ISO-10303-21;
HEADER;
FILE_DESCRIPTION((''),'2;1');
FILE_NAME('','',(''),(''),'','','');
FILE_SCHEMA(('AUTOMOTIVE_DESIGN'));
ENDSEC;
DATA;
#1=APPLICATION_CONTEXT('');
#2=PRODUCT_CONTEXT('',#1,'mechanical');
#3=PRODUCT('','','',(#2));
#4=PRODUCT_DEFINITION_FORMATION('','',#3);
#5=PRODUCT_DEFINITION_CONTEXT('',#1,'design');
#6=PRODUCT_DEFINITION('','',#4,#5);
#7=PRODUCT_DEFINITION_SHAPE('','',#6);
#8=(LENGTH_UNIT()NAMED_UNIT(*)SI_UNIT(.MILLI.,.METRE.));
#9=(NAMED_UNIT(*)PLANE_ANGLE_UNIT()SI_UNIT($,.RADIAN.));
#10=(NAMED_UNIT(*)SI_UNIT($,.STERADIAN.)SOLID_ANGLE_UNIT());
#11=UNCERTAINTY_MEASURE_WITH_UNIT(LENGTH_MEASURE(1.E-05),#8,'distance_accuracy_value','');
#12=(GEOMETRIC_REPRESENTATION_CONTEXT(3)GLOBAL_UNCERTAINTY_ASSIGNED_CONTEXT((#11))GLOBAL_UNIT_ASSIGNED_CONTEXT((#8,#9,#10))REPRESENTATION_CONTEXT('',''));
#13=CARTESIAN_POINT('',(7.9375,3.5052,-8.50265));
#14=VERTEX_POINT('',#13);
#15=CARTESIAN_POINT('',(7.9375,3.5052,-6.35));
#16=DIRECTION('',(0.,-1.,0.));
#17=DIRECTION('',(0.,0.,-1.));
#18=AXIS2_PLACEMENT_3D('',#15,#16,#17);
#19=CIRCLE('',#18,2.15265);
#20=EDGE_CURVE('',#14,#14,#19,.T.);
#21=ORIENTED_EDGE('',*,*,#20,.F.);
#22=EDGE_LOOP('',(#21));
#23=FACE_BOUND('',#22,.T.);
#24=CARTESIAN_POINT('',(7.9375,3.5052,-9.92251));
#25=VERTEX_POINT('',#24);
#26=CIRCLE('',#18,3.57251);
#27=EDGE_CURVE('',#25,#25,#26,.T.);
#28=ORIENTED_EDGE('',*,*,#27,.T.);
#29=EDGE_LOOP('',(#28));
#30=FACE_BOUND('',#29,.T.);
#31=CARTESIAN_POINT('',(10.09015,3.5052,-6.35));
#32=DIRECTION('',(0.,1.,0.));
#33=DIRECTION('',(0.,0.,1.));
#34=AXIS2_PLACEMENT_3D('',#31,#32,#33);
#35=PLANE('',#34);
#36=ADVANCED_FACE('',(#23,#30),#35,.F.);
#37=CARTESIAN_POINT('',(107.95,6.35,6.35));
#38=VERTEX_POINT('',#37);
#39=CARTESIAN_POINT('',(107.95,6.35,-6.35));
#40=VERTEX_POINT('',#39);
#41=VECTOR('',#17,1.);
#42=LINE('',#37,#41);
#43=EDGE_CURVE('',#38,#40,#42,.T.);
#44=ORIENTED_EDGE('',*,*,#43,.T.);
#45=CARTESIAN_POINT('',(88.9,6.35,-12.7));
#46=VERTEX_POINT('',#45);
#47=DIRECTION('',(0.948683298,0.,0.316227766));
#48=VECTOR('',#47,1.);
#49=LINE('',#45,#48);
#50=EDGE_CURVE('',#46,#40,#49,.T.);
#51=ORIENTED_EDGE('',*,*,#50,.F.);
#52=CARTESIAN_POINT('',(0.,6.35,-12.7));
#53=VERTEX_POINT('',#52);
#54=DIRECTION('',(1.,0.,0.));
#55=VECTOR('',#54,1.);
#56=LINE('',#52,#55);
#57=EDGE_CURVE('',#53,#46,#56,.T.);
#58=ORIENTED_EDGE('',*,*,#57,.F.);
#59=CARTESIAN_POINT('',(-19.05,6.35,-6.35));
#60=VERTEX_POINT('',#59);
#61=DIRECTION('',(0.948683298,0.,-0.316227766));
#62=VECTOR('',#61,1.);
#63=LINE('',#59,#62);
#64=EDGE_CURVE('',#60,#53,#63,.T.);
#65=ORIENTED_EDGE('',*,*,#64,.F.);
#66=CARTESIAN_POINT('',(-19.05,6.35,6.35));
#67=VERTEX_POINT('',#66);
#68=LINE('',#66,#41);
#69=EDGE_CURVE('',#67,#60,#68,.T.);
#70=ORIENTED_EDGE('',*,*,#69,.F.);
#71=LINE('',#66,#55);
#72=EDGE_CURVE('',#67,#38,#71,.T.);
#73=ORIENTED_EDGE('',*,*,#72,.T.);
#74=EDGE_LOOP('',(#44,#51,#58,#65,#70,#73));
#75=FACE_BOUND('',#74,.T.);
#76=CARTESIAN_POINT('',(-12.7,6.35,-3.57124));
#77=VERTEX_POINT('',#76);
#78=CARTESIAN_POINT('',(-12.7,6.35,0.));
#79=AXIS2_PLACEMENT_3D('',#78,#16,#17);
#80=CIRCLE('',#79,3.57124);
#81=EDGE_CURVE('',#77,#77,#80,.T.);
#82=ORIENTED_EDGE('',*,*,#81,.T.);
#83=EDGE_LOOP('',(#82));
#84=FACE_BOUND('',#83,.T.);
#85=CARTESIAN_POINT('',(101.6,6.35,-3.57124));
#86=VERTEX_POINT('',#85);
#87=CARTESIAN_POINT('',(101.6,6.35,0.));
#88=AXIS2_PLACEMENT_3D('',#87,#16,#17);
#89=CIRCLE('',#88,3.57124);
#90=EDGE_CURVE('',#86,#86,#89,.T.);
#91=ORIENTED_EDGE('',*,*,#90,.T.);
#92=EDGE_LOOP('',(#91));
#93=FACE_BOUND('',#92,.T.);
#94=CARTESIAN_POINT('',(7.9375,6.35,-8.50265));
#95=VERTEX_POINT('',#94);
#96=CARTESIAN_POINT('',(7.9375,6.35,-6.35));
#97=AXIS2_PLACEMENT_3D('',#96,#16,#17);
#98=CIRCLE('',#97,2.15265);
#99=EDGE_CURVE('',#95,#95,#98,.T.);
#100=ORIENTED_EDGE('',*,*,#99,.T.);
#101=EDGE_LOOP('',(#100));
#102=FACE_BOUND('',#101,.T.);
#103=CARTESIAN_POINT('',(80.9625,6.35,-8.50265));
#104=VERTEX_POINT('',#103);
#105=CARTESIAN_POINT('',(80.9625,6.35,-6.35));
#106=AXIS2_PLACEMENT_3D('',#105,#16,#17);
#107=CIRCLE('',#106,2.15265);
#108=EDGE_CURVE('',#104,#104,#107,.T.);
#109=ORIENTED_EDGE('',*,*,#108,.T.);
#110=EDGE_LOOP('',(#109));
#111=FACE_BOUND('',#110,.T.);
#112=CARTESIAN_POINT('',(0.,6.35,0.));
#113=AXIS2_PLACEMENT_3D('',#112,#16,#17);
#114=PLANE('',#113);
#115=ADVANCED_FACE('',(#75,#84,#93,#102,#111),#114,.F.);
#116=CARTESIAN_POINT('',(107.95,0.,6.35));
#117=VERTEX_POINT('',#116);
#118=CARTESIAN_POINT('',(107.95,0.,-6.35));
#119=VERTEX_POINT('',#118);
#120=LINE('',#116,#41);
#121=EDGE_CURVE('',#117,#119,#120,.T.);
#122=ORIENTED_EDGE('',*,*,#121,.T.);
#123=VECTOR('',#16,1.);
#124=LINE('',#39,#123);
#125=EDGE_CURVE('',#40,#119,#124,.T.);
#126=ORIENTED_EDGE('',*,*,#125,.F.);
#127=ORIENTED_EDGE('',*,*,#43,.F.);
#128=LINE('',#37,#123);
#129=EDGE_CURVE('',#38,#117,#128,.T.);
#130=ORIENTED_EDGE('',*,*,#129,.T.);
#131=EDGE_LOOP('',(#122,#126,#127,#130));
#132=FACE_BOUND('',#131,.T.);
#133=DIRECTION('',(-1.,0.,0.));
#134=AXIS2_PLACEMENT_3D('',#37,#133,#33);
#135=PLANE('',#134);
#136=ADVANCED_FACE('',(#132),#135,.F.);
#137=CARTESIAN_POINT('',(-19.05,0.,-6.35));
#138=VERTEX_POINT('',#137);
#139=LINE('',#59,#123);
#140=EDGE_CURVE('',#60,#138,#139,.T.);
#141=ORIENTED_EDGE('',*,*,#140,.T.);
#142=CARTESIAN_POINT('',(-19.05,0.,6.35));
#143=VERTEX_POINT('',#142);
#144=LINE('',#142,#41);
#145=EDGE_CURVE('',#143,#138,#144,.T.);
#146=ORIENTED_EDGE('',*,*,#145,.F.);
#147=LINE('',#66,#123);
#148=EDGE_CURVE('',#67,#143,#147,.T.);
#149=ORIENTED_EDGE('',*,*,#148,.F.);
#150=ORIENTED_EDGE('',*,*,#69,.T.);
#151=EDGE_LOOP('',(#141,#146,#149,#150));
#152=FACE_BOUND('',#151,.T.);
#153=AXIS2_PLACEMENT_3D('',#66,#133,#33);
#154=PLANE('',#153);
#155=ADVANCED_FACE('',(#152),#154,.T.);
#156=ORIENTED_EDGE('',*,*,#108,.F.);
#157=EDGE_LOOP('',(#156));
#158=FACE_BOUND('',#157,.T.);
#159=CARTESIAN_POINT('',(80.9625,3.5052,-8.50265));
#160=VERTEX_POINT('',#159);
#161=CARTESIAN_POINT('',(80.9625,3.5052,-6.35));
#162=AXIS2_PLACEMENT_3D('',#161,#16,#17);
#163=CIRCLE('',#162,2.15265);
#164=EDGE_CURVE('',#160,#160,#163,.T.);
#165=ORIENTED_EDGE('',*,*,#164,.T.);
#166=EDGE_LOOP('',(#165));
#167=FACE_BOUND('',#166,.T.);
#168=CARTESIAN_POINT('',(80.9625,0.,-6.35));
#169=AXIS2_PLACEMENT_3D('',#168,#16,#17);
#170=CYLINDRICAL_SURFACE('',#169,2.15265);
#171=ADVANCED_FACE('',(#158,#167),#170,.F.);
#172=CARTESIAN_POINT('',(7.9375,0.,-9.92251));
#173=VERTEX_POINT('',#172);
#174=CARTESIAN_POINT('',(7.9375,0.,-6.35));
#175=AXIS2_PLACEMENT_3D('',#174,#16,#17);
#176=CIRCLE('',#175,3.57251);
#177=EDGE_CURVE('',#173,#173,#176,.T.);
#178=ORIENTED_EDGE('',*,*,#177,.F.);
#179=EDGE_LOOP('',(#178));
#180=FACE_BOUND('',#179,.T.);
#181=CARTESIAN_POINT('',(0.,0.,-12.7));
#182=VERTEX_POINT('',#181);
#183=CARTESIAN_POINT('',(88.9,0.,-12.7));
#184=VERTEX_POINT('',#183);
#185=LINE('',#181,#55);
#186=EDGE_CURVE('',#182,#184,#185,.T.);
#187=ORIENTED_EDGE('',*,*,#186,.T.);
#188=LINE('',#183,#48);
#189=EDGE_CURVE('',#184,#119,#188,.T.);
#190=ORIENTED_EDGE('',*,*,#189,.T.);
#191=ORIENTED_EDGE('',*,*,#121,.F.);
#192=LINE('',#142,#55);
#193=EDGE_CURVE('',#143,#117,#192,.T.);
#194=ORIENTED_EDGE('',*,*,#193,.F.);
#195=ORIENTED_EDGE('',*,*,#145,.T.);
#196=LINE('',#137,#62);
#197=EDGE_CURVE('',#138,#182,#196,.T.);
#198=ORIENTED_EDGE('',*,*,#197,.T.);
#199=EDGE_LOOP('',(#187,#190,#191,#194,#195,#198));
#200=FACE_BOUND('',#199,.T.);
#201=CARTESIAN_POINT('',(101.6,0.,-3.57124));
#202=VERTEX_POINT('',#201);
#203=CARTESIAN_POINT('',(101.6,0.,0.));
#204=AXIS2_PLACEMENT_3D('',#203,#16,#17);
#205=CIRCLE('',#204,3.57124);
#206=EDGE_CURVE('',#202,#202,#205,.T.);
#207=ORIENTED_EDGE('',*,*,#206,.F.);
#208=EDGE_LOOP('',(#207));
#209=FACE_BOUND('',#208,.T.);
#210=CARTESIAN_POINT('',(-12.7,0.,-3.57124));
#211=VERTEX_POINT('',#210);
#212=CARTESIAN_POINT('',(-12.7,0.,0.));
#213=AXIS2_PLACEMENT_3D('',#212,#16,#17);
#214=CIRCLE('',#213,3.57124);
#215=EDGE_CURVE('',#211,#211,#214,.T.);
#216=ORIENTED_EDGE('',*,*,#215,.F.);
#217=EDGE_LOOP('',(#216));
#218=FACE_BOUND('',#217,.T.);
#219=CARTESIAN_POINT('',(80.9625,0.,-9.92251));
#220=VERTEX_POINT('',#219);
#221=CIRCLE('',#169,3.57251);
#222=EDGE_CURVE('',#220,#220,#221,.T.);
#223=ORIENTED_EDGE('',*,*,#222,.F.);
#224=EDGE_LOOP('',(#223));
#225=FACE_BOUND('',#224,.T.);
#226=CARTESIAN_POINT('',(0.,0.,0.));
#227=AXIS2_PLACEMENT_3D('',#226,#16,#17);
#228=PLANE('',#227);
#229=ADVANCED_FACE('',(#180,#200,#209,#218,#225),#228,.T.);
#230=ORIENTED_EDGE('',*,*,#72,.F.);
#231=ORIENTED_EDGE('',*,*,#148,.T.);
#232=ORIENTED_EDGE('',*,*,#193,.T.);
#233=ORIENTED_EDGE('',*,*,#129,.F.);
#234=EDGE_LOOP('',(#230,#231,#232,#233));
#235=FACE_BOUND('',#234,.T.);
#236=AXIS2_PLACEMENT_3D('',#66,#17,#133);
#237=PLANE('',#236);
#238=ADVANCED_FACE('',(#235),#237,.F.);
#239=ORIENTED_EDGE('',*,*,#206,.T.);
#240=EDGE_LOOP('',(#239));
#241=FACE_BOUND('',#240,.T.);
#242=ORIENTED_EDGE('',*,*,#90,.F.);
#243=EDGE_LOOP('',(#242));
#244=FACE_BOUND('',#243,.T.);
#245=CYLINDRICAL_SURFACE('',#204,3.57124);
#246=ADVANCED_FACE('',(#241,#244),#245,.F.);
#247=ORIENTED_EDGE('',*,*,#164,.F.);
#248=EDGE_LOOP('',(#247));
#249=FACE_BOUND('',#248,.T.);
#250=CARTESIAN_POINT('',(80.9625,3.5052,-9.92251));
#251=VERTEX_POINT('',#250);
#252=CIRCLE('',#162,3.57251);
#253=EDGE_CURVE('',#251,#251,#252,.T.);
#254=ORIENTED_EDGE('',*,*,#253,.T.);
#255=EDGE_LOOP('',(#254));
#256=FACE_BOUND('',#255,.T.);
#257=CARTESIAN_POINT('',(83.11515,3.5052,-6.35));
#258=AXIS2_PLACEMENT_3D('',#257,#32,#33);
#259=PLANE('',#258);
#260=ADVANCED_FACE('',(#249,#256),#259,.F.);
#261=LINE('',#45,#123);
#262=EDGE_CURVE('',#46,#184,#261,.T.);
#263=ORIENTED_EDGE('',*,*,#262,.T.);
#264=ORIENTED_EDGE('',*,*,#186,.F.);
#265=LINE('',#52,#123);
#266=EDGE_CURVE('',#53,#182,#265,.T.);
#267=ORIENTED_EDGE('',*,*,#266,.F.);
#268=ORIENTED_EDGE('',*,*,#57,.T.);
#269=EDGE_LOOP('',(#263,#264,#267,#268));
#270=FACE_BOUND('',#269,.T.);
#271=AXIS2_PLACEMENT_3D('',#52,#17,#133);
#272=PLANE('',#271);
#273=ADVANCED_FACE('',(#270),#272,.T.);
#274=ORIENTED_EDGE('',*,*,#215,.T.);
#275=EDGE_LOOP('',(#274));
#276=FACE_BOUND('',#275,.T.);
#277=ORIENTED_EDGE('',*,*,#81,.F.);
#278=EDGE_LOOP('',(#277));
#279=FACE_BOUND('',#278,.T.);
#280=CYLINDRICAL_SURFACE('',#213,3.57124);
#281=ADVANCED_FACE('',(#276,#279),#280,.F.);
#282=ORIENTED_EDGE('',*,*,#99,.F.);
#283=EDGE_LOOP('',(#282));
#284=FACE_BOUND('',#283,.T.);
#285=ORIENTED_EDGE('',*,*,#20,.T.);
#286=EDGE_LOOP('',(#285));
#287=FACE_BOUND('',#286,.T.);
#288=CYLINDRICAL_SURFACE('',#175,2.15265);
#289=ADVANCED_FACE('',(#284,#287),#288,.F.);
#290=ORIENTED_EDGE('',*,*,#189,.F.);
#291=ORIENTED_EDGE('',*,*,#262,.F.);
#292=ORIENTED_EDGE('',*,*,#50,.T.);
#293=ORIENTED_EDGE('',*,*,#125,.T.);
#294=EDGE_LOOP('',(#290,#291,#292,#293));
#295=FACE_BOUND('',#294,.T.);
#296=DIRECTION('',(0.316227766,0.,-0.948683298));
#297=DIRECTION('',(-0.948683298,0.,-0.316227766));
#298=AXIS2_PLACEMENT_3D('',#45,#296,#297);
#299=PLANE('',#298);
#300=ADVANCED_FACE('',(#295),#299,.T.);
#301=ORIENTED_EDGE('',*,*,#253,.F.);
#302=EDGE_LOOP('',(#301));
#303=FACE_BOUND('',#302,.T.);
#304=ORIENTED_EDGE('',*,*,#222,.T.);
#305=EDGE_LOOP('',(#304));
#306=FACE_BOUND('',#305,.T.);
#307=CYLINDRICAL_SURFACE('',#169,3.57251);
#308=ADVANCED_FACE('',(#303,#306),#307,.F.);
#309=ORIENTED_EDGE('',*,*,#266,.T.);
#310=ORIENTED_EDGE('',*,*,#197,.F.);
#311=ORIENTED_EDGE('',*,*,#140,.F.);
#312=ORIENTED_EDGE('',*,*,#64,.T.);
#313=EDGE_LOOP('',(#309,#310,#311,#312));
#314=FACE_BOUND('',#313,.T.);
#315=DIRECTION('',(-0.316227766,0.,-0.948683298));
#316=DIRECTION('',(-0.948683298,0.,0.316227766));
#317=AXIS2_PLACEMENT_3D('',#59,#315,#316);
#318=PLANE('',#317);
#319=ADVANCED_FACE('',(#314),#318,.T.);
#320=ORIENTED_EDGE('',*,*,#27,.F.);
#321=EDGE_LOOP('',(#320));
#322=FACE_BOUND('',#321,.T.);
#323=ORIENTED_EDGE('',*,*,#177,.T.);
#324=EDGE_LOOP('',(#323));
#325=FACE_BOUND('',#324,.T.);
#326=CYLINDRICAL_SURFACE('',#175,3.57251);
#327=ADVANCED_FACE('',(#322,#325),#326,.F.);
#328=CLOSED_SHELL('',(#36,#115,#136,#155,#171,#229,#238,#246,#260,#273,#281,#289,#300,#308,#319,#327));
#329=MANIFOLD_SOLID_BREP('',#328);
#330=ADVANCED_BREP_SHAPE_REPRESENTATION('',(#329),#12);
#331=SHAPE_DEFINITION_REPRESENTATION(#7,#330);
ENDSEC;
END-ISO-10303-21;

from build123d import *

# Parameters (mm, degrees)
BOSS_EXTRUDE1_DEPTH                            = 6.35
F_1_4_CLEARANCE_HOLE2_D                        = 7.14248
CBORE_FOR_6_SOCKET_HEAD_CAP_SCREW1_D           = 4.3053
CBORE_FOR_6_SOCKET_HEAD_CAP_SCREW1_CBORE_D     = 7.14502
CBORE_FOR_6_SOCKET_HEAD_CAP_SCREW1_CBORE_DEPTH = 3.5052


with BuildPart() as part:
    # Sketch1 → Boss-Extrude1 (new body)
    with BuildSketch(Plane(origin=(0, 0, 0), x_dir=(1, 0, 0), z_dir=(0, 1, 0))):
        Polygon((0, 12.7), (88.9, 12.7), (107.95, 6.35), (107.95, -6.35), (-19.05, -6.35), (-19.05, 6.35), align=None)
    extrude(amount=BOSS_EXTRUDE1_DEPTH)

    # 1/4 Clearance Hole2 (through all)
    with Locations(Plane(origin=(0, 0, 0), x_dir=(-1, 0, 0), z_dir=(0, -1, 0))):
        with Locations((-101.6, 0), (12.7, 0)):
            Hole(F_1_4_CLEARANCE_HOLE2_D / 2)

    # CBORE for #6 Socket Head Cap Screw1 (through all)
    with Locations(Plane(origin=(0, 0, 0), x_dir=(-1, 0, 0), z_dir=(0, -1, 0))):
        with Locations((-80.9625, 6.35), (-7.9375, 6.35)):
            CounterBoreHole(CBORE_FOR_6_SOCKET_HEAD_CAP_SCREW1_D / 2, CBORE_FOR_6_SOCKET_HEAD_CAP_SCREW1_CBORE_D / 2, CBORE_FOR_6_SOCKET_HEAD_CAP_SCREW1_CBORE_DEPTH)


solid = part.part
